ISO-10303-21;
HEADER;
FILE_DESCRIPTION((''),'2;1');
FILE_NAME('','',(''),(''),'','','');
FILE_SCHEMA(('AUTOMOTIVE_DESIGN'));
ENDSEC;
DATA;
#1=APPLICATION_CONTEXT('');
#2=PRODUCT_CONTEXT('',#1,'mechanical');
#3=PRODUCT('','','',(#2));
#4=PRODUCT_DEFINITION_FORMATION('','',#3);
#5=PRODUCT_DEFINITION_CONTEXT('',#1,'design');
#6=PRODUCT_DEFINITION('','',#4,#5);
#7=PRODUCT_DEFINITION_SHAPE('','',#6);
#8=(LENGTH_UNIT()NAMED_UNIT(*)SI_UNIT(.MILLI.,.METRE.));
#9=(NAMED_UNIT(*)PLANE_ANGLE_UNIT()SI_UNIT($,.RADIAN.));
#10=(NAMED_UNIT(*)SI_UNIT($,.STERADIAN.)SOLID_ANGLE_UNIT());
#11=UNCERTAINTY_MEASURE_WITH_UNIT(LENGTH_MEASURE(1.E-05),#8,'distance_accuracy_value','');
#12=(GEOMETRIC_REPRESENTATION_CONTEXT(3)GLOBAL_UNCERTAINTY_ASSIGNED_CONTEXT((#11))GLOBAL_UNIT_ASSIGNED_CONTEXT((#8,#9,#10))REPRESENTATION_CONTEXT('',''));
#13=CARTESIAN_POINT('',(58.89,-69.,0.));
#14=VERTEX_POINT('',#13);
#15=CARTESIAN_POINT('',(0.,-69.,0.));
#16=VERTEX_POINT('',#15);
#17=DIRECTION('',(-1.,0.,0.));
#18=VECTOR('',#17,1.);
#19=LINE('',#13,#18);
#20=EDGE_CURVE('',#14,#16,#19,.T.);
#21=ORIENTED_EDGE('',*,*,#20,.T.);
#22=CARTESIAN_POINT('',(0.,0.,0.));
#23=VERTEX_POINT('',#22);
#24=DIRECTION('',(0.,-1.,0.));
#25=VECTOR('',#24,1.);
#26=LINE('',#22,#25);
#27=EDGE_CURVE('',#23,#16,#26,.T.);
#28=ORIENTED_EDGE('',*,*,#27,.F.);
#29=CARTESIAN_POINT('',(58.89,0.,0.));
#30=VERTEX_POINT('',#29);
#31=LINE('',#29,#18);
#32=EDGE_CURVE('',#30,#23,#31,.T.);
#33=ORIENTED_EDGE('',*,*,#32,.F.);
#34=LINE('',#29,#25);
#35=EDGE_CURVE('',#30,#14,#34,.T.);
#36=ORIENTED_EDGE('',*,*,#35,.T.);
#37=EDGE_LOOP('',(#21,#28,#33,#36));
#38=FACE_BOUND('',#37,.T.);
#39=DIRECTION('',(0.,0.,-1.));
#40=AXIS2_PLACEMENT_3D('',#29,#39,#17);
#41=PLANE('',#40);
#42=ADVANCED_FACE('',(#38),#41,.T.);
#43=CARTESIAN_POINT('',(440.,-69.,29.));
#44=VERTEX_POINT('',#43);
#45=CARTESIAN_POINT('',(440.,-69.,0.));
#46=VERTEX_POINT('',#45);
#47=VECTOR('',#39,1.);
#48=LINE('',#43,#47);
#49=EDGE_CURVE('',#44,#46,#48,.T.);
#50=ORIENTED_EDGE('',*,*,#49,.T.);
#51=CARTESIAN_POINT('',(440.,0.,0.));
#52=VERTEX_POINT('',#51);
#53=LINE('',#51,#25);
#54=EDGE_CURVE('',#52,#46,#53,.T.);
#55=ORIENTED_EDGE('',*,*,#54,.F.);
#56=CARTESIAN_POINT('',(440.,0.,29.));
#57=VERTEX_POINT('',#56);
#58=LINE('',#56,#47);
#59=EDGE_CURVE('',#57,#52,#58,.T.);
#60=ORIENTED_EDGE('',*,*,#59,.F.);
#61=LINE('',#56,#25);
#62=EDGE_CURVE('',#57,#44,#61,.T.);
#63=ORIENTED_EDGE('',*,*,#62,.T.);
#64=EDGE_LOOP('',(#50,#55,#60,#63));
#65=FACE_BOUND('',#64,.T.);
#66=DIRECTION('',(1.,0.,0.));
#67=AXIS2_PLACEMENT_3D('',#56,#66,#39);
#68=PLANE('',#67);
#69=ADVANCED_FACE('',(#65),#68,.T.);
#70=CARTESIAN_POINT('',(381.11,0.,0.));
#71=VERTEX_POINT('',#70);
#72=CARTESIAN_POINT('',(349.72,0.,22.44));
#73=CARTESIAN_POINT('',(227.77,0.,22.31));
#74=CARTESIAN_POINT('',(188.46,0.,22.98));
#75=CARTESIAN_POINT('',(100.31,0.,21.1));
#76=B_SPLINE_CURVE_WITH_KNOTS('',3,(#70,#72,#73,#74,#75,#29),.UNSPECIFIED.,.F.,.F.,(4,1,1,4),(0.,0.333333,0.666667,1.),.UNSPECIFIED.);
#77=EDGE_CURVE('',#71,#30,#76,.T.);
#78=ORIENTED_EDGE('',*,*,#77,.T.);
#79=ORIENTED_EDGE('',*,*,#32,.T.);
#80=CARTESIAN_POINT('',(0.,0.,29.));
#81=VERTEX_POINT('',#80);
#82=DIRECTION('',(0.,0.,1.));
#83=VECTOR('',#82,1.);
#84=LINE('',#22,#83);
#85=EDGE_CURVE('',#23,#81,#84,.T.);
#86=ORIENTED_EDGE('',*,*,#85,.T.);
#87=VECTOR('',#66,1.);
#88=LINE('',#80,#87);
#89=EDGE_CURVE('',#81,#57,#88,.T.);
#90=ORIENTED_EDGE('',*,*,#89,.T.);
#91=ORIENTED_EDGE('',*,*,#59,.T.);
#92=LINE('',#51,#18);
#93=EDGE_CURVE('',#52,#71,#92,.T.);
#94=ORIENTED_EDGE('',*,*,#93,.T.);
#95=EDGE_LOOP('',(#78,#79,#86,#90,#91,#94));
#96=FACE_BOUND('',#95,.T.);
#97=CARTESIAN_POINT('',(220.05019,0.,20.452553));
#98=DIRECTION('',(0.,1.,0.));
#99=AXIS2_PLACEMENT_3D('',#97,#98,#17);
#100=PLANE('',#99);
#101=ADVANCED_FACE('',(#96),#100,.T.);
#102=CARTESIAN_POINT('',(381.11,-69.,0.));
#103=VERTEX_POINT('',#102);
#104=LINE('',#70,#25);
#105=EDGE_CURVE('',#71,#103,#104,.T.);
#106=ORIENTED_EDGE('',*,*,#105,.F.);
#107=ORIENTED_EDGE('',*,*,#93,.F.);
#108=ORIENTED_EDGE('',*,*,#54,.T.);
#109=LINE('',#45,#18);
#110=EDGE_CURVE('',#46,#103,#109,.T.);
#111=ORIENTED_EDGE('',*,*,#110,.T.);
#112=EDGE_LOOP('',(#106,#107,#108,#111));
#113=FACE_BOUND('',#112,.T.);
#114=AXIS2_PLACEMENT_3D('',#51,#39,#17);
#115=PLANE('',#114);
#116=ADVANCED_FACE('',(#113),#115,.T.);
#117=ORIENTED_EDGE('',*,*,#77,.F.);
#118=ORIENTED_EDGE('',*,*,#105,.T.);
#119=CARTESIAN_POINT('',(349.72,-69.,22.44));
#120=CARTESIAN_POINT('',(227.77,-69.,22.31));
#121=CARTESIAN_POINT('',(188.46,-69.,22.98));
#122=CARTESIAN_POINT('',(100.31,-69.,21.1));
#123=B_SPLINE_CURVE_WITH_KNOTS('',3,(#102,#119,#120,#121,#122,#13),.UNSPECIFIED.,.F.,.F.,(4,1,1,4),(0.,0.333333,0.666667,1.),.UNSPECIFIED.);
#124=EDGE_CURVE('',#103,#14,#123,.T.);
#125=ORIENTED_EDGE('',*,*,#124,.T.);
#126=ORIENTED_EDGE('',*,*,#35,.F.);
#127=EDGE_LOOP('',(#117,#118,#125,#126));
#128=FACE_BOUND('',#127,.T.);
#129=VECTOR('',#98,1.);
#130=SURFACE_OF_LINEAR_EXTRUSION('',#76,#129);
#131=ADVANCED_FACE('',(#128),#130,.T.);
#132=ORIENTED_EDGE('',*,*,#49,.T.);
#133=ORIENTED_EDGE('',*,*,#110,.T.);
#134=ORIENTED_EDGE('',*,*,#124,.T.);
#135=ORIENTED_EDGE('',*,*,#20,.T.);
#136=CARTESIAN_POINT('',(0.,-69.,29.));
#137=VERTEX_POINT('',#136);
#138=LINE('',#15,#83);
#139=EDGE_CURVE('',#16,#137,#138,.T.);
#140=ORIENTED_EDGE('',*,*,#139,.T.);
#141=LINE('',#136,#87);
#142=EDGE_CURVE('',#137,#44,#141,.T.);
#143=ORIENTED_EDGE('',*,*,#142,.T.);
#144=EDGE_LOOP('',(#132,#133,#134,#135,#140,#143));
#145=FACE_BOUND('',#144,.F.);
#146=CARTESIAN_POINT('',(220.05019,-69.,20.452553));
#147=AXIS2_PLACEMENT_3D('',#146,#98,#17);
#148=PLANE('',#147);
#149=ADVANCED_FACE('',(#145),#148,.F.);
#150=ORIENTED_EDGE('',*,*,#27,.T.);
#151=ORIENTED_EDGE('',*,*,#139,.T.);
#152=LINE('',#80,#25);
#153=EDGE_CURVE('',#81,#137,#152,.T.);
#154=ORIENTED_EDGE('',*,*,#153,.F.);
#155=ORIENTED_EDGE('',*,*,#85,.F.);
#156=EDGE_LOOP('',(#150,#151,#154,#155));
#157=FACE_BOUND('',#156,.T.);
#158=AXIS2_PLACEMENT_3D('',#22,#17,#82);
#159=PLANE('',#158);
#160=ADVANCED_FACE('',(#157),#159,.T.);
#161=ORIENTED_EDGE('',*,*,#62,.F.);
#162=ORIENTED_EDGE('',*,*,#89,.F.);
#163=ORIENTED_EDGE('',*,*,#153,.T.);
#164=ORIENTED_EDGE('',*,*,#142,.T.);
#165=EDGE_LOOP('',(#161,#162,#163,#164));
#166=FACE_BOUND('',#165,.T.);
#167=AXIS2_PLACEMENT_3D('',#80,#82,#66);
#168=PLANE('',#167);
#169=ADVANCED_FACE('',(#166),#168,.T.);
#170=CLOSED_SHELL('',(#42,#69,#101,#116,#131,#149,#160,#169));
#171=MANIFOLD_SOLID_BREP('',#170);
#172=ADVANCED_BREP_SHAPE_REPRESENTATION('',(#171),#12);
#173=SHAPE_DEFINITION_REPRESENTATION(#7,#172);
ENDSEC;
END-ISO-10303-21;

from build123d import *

# Parameters (mm, degrees)
BAR_DEPTH = 69


with BuildPart() as part:
    # Sketch → Bar (new body)
    with BuildSketch(Plane.XZ):
        with BuildLine():
            Line((58.89, 0), (0, 0))
            Line((0, 0), (0, 29))
            Line((0, 29), (440, 29))
            Line((440, 29), (440, 0))
            Line((440, 0), (381.11, 0))
            add(Edge.make_bspline(
                [(381.11, 0), (349.72, 22.44), (227.77, 22.31), (188.46, 22.98), (100.31, 21.1), (58.89, 0)],
                knots=[0, 0, 0, 0, 0.333333, 0.666667, 1, 1, 1, 1], degree=3))
        make_face()
    extrude(amount=BAR_DEPTH)


solid = part.part
